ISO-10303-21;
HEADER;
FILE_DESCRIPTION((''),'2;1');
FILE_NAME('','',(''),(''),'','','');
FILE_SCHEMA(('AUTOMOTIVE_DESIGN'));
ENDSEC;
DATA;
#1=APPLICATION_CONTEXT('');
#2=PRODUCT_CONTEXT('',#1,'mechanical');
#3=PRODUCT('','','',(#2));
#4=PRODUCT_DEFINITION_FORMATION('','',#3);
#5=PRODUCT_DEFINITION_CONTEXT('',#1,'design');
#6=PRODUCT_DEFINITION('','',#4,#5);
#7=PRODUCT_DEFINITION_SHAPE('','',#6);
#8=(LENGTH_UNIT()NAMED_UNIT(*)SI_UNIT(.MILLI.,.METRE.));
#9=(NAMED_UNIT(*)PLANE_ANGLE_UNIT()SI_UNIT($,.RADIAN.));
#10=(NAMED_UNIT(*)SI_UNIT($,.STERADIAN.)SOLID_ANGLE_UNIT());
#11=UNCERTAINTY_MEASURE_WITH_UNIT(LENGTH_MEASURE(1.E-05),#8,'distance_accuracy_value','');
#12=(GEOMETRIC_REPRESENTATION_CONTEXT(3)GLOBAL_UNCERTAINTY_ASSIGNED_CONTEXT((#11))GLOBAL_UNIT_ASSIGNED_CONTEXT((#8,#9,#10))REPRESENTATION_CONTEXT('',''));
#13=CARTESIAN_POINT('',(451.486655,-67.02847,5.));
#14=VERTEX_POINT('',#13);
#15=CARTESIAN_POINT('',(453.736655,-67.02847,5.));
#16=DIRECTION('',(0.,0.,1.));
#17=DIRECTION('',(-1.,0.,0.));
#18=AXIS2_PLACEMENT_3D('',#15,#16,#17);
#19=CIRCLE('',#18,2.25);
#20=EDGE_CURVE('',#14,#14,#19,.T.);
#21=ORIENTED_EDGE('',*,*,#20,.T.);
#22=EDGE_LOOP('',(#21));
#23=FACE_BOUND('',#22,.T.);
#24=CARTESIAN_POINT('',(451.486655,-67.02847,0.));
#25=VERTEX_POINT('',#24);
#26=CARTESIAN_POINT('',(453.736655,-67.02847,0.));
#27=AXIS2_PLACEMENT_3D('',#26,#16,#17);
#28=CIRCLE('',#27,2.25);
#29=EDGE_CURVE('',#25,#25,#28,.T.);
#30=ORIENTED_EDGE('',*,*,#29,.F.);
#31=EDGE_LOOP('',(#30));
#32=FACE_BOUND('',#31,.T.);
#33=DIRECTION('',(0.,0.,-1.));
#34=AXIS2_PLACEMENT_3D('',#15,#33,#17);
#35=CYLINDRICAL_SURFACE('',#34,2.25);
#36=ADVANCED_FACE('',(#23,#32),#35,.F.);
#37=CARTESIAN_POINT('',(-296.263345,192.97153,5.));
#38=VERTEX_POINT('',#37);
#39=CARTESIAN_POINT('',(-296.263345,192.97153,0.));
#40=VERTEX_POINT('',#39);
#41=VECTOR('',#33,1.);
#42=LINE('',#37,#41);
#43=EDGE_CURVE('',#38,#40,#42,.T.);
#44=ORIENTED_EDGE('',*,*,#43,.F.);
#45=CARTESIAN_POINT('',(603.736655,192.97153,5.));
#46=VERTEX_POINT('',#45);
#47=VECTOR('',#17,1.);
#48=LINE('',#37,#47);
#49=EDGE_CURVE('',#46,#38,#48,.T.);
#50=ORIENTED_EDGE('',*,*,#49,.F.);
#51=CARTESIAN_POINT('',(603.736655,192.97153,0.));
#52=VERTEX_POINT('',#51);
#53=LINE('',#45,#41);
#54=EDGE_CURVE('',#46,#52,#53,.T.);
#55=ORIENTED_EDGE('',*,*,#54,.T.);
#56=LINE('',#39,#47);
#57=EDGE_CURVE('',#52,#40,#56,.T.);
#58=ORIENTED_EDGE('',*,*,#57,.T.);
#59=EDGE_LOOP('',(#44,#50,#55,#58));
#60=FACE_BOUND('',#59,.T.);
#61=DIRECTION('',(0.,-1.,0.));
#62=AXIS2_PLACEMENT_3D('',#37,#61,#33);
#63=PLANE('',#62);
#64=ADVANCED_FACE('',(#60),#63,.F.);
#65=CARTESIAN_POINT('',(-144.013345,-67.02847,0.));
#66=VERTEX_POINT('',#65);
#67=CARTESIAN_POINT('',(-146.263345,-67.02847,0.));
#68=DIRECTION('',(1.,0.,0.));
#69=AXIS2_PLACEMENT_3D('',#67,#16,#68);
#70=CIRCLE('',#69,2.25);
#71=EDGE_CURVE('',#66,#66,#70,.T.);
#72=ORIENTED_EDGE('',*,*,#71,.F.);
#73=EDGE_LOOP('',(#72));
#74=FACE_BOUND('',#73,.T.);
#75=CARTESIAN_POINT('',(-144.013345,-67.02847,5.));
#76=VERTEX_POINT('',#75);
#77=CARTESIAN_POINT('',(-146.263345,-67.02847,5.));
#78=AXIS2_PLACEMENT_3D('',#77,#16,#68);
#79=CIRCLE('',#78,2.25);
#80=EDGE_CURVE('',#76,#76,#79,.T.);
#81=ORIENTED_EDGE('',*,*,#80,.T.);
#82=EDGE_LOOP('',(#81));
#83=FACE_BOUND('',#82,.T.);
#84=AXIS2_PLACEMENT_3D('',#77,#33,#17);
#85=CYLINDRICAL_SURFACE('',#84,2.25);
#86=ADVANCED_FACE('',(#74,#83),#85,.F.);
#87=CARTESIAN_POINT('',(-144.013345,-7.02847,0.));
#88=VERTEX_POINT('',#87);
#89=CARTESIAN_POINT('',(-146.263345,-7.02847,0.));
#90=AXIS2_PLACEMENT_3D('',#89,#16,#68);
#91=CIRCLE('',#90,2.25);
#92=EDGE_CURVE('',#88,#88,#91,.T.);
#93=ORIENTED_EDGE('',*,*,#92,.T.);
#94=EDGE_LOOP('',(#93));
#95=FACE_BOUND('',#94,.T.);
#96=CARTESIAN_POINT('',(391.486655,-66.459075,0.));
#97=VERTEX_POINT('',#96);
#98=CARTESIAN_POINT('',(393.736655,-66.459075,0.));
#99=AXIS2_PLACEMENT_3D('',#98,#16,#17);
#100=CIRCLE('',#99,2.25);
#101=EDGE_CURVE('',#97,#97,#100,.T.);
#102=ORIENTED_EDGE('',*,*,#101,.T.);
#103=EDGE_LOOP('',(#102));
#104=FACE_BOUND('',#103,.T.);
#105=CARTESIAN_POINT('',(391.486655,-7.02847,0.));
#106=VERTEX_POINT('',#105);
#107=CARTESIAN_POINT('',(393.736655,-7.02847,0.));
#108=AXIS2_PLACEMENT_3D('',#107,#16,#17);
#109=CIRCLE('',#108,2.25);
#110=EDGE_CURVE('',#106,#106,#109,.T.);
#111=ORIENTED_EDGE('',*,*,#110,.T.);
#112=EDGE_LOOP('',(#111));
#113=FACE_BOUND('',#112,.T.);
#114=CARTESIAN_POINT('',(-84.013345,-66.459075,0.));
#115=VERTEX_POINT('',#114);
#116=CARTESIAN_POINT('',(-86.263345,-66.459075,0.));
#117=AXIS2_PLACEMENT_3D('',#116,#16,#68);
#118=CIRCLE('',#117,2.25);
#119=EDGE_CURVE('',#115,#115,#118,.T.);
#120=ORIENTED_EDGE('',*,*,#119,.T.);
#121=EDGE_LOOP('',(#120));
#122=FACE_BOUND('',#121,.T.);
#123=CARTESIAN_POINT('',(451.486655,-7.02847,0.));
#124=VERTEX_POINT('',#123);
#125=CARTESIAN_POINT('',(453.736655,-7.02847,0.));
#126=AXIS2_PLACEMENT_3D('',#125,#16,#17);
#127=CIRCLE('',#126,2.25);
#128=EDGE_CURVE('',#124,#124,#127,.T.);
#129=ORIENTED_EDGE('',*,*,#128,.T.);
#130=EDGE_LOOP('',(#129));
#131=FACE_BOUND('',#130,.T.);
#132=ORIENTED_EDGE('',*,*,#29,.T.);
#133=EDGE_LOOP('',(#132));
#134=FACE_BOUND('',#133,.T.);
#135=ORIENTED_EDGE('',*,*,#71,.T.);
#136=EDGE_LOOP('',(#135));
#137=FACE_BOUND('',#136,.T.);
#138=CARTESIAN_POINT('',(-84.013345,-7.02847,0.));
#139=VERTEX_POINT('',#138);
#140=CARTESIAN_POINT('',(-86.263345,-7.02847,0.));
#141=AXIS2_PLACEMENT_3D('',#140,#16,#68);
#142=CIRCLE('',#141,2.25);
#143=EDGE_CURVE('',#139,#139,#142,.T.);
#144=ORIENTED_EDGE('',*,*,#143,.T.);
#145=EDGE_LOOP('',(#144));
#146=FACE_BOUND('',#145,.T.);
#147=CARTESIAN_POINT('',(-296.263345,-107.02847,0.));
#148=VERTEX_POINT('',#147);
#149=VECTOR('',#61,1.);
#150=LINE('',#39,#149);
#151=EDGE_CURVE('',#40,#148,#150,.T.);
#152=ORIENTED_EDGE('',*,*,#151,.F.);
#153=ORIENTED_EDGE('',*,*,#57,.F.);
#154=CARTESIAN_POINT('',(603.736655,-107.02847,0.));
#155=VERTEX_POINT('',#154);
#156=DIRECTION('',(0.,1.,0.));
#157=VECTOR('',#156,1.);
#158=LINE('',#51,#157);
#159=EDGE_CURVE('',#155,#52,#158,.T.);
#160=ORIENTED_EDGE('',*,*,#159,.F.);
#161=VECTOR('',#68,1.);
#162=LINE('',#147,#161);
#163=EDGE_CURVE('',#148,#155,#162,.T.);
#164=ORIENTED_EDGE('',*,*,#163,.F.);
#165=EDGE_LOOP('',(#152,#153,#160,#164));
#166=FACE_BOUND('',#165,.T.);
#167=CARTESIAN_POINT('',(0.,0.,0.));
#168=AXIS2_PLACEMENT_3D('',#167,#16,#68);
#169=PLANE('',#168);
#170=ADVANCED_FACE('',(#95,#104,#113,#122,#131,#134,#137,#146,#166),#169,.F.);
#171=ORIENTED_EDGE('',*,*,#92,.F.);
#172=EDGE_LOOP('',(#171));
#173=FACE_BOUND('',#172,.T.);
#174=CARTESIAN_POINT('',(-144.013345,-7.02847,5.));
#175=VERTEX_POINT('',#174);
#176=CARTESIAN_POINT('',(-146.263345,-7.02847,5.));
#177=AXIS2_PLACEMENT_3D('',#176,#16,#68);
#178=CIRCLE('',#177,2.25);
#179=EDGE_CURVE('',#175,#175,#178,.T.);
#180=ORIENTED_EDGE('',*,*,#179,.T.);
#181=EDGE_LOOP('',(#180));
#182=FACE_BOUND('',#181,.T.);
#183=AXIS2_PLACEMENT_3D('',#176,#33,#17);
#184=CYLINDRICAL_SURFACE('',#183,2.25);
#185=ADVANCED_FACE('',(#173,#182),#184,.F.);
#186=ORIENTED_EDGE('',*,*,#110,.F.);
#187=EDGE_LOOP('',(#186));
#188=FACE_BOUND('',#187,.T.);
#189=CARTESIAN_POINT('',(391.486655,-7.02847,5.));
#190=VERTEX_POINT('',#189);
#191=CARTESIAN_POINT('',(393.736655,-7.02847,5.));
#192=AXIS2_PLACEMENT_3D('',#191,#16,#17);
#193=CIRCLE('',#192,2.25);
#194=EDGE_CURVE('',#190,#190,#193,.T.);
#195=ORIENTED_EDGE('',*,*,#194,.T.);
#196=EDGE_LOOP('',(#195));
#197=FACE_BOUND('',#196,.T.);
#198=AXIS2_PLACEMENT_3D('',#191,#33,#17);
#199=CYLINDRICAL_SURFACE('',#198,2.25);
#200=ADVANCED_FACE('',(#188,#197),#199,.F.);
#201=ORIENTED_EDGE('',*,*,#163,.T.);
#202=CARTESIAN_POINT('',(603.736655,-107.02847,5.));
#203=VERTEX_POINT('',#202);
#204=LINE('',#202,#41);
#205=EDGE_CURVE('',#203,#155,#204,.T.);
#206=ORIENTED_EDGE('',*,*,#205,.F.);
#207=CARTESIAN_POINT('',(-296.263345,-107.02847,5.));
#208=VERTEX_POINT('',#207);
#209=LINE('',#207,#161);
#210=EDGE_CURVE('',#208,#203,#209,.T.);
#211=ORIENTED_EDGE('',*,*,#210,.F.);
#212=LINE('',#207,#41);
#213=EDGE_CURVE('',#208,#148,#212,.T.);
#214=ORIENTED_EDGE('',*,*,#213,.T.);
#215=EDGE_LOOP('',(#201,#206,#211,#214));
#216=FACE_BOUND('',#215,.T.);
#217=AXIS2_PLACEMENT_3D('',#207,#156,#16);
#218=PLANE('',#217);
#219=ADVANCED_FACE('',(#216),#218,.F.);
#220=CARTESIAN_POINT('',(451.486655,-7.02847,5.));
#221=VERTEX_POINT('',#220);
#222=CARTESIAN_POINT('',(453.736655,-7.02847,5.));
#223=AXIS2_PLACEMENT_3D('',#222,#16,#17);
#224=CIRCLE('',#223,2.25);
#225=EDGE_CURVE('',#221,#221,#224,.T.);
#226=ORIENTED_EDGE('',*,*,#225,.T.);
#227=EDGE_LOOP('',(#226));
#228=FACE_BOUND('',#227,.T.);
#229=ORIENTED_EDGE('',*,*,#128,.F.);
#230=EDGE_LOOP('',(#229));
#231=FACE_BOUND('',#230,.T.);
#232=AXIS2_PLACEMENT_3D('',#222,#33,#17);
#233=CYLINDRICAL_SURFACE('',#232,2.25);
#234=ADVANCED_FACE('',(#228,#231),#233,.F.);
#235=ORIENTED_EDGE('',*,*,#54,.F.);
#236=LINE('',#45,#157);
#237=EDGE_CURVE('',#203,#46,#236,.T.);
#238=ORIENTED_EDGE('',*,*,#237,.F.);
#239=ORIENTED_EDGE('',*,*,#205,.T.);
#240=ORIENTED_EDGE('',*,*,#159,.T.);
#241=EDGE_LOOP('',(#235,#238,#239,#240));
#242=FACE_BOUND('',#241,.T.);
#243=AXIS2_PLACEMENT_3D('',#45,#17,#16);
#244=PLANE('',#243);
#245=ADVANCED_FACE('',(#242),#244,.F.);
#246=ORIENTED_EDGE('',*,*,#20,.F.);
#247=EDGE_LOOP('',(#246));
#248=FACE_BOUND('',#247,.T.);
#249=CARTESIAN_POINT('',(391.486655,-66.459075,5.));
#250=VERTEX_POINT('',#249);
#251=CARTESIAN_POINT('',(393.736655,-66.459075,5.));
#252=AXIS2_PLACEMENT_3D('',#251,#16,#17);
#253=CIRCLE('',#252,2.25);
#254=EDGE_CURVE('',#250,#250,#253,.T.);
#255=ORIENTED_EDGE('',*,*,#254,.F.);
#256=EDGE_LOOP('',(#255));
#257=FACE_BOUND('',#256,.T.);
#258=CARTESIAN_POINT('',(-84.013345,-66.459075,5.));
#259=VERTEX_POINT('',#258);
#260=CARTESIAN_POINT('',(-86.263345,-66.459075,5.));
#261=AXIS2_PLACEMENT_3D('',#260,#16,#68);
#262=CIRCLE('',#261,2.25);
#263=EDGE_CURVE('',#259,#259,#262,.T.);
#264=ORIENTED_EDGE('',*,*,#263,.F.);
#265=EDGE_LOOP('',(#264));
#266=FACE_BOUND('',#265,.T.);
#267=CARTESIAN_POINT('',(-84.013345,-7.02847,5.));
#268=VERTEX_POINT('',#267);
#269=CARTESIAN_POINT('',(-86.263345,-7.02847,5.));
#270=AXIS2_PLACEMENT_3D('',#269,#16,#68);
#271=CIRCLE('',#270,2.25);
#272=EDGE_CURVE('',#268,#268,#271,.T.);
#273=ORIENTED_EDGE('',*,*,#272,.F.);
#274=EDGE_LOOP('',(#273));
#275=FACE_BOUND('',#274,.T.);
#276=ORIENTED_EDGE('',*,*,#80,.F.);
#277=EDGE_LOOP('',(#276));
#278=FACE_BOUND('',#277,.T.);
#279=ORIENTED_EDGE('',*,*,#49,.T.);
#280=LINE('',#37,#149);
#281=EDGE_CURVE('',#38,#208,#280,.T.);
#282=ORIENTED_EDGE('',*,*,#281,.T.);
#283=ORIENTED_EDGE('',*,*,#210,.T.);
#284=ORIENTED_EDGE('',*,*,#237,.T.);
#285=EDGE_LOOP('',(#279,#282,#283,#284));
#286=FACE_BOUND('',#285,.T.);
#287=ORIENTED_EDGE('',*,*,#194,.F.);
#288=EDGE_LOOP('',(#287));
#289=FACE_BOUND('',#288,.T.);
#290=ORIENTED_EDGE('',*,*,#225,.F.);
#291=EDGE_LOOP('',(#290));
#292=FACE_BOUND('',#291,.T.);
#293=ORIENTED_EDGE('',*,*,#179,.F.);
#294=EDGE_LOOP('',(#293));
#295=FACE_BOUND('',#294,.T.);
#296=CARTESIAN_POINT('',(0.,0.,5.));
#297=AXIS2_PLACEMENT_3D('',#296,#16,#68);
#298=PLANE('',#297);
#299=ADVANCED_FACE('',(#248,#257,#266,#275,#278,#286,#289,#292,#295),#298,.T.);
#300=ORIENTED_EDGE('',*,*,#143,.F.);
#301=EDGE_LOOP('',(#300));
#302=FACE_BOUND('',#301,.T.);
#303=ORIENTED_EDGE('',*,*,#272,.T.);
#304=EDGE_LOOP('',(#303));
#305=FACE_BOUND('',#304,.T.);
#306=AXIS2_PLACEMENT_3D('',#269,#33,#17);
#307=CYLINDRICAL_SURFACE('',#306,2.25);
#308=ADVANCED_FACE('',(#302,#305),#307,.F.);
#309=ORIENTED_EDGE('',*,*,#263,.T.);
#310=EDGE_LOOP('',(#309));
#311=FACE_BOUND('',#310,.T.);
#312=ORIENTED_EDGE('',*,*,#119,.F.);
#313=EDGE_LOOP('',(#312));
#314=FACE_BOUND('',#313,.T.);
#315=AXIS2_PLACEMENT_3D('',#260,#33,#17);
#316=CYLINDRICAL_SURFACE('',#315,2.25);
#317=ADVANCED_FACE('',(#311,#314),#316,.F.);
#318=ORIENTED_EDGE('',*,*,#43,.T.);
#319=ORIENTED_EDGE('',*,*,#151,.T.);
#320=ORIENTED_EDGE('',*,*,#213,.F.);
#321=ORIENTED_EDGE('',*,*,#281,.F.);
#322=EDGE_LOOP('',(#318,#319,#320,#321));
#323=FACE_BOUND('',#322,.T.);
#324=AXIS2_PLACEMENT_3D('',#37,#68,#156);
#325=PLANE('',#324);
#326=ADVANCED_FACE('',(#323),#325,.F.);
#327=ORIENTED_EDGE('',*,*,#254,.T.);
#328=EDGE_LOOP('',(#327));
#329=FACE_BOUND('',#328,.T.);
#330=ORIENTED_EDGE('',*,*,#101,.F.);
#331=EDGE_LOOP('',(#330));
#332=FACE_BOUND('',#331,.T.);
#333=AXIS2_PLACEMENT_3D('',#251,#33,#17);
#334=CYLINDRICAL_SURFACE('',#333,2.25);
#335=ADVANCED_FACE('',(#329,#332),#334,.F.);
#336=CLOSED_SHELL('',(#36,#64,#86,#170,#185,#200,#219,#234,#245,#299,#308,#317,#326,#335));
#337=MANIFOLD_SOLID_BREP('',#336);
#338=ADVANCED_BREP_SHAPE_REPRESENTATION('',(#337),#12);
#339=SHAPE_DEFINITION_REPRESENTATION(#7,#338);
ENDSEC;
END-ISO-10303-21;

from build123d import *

# Parameters (mm, degrees)
SKETCH1_W           = 900
SKETCH1_H           = 300
SKETCH1_R           = 2.25
BOSS_EXTRUDE1_DEPTH = 5


with BuildPart() as part:
    # Sketch1 → Boss-Extrude1 (new body)
    with BuildSketch(Plane.XY):
        with Locations((153.736654804, 42.971530249)):
            Rectangle(SKETCH1_W, SKETCH1_H)
        with Locations((-146.263345196, -7.028469751)):
            Circle(SKETCH1_R, mode=Mode.SUBTRACT)
        with Locations((-86.263345196, -7.028469751)):
            Circle(SKETCH1_R, mode=Mode.SUBTRACT)
        with Locations((-86.263345196, -66.459074733)):
            Circle(SKETCH1_R, mode=Mode.SUBTRACT)
        with Locations((-146.263345196, -67.028469751)):
            Circle(SKETCH1_R, mode=Mode.SUBTRACT)
        with Locations(Location((453.736654804, -67.028469751, 0), (0, 0, 180))):
            Circle(SKETCH1_R, mode=Mode.SUBTRACT)
        with Locations(Location((393.736654804, -66.459074733, 0), (0, 0, 180))):
            Circle(SKETCH1_R, mode=Mode.SUBTRACT)
        with Locations(Location((393.736654804, -7.028469751, 0), (0, 0, 180))):
            Circle(SKETCH1_R, mode=Mode.SUBTRACT)
        with Locations(Location((453.736654804, -7.028469751, 0), (0, 0, 180))):
            Circle(SKETCH1_R, mode=Mode.SUBTRACT)
    extrude(amount=BOSS_EXTRUDE1_DEPTH)


solid = part.part
